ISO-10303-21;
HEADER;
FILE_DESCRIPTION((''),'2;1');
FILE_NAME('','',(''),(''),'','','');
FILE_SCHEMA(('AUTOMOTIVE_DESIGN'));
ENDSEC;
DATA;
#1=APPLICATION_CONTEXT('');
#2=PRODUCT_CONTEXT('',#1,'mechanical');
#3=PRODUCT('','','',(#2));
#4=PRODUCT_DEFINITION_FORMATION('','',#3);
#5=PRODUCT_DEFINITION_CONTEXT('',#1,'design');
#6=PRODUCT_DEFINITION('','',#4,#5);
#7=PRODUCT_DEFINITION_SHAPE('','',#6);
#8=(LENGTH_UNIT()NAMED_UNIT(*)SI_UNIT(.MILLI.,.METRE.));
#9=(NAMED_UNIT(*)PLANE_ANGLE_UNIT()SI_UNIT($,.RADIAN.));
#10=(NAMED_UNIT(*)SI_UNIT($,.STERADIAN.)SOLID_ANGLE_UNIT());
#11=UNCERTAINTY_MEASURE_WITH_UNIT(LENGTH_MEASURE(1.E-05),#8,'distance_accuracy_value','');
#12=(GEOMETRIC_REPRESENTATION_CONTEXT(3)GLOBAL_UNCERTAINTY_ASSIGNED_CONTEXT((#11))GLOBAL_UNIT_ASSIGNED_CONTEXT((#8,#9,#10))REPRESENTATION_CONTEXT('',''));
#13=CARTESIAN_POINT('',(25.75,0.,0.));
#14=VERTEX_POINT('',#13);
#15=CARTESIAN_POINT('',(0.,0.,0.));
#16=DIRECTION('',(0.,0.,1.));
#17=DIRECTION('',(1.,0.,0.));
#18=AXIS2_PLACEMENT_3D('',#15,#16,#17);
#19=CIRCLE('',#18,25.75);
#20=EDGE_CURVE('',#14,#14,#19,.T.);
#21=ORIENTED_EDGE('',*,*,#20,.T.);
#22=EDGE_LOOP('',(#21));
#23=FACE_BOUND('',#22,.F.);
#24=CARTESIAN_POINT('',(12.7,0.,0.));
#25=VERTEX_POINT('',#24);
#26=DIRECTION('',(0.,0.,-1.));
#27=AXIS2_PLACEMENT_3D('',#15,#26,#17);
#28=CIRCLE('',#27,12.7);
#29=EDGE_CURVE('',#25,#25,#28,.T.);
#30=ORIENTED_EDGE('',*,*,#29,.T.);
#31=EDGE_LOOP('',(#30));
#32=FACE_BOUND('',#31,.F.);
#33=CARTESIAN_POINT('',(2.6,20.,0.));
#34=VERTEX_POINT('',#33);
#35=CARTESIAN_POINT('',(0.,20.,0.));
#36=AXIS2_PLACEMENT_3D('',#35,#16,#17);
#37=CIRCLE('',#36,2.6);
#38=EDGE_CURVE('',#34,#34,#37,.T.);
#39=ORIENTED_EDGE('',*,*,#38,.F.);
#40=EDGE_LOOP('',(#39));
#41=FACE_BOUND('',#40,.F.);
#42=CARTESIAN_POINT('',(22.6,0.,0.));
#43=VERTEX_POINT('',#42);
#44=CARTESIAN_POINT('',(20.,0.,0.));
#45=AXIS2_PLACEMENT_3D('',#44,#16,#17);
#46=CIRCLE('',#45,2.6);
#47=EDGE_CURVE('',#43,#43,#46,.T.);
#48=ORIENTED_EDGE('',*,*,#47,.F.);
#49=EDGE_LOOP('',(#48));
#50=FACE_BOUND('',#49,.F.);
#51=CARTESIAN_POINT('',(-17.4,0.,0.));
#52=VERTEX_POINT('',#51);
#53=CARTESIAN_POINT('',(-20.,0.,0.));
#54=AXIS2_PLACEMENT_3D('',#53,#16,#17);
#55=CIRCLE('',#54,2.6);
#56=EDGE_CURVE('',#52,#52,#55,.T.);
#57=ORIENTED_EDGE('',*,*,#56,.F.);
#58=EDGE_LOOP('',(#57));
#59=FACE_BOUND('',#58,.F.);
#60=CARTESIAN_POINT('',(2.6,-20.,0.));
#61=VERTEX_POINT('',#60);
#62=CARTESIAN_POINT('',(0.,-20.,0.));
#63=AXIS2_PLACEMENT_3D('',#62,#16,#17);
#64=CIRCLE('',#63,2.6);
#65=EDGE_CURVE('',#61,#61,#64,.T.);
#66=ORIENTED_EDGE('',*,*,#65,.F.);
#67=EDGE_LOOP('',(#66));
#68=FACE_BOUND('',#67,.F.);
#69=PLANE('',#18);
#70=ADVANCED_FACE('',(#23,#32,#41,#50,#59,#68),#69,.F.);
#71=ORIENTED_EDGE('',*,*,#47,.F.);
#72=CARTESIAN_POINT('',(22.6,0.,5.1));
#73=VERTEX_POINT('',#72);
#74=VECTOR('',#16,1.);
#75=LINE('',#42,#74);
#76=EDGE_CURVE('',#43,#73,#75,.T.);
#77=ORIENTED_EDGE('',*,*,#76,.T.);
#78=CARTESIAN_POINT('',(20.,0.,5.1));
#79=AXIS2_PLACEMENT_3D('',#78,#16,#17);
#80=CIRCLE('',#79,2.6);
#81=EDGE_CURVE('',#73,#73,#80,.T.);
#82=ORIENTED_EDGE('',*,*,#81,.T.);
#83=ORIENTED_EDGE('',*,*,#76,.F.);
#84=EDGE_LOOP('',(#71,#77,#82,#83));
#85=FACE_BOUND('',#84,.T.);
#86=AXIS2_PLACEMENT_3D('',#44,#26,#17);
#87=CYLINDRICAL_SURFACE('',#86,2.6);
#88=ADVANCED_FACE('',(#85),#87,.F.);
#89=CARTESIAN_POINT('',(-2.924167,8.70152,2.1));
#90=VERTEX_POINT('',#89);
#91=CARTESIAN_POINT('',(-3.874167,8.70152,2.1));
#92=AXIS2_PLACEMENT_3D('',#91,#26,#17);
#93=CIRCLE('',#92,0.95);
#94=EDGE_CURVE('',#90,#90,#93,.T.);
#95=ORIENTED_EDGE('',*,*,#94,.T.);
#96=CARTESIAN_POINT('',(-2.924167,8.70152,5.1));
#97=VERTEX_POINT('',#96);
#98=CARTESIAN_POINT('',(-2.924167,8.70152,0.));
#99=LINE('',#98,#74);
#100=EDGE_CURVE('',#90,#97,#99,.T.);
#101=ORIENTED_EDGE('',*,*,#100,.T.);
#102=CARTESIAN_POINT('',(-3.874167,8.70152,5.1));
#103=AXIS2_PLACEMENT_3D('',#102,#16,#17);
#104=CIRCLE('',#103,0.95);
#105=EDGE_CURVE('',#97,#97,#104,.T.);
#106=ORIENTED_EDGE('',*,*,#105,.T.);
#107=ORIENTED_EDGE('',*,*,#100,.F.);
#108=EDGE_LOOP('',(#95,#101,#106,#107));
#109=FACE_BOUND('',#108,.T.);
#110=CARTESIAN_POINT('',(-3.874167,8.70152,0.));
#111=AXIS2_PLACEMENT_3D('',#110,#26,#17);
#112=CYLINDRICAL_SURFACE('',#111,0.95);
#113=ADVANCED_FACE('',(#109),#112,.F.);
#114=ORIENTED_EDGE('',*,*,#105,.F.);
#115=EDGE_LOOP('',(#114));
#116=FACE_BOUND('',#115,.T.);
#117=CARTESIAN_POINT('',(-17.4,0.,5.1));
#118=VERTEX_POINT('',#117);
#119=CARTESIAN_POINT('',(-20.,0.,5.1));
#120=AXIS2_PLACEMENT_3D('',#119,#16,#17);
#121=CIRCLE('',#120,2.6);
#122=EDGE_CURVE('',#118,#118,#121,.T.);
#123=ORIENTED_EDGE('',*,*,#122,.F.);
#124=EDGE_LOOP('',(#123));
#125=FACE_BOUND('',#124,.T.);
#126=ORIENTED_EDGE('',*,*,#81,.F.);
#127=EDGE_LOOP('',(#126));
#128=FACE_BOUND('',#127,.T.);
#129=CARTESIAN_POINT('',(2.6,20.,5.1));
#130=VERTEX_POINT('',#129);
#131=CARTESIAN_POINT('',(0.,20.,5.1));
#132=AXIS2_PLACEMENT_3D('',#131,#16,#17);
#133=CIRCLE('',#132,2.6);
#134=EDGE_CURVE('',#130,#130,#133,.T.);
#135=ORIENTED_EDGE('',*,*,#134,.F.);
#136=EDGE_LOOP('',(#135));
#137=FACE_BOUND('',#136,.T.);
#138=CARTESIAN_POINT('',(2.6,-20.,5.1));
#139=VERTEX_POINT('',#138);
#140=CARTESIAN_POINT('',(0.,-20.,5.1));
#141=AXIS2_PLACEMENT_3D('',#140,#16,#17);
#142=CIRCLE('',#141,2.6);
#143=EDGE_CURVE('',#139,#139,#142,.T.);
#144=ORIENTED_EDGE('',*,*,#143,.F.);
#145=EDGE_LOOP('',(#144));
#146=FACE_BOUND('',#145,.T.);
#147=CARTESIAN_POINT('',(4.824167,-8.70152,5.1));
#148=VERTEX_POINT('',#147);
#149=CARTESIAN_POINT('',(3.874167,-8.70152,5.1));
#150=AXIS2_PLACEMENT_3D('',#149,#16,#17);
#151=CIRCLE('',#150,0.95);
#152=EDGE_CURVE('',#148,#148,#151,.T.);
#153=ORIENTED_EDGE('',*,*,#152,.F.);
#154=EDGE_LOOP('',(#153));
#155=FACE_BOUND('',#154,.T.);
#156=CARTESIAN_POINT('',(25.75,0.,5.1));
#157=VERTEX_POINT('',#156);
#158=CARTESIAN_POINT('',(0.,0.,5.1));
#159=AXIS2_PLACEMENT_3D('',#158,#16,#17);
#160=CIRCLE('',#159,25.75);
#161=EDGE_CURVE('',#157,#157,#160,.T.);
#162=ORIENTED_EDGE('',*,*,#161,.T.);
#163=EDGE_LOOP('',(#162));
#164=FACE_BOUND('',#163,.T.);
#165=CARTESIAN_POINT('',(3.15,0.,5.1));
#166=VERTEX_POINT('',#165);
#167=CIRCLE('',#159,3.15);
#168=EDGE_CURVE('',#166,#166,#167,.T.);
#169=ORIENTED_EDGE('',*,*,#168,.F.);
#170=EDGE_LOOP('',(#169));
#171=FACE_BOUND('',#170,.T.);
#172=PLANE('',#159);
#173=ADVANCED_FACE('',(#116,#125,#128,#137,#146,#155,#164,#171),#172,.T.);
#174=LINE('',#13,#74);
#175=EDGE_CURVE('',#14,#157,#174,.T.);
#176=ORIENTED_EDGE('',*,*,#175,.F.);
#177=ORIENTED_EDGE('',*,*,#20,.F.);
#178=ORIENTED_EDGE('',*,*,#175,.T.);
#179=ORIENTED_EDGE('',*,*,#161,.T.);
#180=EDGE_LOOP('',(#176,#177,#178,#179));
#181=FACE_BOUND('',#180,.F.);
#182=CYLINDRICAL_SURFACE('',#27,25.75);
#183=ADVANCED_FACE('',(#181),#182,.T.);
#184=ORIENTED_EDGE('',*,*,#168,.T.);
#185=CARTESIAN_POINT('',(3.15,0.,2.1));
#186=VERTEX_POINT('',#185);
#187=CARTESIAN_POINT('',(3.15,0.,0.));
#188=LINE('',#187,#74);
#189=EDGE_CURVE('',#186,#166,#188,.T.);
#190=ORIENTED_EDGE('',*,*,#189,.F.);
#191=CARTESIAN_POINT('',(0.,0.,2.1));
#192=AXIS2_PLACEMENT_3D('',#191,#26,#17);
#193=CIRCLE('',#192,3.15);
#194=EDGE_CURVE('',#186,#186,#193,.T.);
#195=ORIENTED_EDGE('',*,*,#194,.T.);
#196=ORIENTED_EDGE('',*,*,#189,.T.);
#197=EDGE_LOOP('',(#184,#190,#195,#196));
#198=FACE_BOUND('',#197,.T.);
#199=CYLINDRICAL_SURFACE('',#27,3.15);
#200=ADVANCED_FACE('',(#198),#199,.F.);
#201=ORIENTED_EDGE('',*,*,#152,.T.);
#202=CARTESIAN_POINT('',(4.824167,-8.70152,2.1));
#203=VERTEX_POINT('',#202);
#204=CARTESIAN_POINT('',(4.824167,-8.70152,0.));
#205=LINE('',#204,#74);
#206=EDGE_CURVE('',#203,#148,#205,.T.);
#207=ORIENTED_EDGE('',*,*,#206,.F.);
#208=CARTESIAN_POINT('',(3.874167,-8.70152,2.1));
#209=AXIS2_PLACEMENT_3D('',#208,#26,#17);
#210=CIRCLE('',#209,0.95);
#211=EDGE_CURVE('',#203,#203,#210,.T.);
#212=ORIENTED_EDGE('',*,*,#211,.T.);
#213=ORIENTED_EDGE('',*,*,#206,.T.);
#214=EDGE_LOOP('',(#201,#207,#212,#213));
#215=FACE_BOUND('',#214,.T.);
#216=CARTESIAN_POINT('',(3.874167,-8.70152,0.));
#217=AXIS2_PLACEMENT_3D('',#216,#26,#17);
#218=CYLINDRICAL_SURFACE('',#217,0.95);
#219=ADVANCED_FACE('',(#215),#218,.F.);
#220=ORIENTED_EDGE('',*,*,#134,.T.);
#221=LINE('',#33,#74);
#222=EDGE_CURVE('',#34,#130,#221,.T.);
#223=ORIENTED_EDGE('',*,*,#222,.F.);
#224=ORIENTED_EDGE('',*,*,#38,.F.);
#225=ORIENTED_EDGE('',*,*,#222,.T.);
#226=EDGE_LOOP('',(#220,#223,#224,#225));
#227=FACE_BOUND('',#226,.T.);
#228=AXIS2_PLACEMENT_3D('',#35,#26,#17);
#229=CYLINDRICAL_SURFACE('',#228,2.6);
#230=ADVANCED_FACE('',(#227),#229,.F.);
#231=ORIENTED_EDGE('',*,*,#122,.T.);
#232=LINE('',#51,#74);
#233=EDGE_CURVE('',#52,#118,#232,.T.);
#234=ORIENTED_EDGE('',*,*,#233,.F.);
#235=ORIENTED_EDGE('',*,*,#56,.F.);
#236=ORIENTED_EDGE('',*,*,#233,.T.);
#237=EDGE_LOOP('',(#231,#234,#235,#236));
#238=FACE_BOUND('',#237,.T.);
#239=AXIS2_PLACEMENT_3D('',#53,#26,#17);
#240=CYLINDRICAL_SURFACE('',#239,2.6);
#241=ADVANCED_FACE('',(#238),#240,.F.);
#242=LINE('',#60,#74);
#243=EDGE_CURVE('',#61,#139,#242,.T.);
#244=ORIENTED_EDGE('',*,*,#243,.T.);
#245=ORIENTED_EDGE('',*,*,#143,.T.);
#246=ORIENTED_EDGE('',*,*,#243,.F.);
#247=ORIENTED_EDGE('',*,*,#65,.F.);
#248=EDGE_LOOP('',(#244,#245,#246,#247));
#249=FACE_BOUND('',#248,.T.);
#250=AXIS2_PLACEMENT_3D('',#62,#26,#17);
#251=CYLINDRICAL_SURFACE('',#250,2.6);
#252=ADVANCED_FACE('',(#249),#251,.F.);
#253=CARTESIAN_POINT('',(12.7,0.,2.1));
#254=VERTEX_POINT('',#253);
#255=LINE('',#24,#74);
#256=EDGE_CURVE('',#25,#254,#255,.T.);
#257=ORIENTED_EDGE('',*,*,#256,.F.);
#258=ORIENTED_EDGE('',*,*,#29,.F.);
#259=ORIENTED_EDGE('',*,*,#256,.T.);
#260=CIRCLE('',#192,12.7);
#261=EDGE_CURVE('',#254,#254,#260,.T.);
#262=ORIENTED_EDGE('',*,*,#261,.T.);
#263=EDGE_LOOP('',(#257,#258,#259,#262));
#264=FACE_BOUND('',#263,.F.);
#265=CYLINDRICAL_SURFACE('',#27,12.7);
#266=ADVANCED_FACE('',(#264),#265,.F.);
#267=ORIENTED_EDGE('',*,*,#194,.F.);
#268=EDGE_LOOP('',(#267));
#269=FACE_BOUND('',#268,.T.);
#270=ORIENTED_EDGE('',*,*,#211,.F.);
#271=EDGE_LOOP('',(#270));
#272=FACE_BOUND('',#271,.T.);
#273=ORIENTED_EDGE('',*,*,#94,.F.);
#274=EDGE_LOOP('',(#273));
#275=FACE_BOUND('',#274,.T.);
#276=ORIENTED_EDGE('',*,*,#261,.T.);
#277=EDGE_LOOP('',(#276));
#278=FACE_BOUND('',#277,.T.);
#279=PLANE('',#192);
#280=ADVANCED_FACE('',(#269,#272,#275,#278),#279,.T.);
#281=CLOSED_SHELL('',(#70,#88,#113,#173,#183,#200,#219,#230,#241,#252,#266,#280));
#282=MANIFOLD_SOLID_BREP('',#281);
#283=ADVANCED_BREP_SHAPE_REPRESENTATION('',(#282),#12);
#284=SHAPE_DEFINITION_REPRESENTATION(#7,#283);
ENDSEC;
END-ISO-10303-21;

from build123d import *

# Parameters (mm, degrees)
F0_R     = 25.75
F0_R_2   = 2.6
F0_R_3   = 3.15
F0_R_4   = 0.95
F1_DEPTH = 5.1
F2_R     = 12.7
F3_DEPTH = 2.1


with BuildPart() as f1:
    # F0 (on Top) → F1 (new body)
    with BuildSketch(Plane.XY):
        Circle(F0_R)
        with Locations((0, -20)):
            Circle(F0_R_2, mode=Mode.SUBTRACT)
        with Locations((-20, 0)):
            Circle(F0_R_2, mode=Mode.SUBTRACT)
        Circle(F0_R_3, mode=Mode.SUBTRACT)
        with Locations((3.874167, -8.70152)):
            Circle(F0_R_4, mode=Mode.SUBTRACT)
        with Locations((20, 0)):
            Circle(F0_R_2, mode=Mode.SUBTRACT)
        with Locations((-3.874167, 8.70152)):
            Circle(F0_R_4, mode=Mode.SUBTRACT)
        with Locations((0, 20)):
            Circle(F0_R_2, mode=Mode.SUBTRACT)
    extrude(amount=F1_DEPTH)

    # F2 (on face) → F3 (cut)
    with BuildSketch(Plane(origin=(0, 0, 0), x_dir=(1, 0, 0), z_dir=(0, 0, -1))):
        Circle(F2_R)
    extrude(amount=-F3_DEPTH, mode=Mode.SUBTRACT)


solid = f1.part
